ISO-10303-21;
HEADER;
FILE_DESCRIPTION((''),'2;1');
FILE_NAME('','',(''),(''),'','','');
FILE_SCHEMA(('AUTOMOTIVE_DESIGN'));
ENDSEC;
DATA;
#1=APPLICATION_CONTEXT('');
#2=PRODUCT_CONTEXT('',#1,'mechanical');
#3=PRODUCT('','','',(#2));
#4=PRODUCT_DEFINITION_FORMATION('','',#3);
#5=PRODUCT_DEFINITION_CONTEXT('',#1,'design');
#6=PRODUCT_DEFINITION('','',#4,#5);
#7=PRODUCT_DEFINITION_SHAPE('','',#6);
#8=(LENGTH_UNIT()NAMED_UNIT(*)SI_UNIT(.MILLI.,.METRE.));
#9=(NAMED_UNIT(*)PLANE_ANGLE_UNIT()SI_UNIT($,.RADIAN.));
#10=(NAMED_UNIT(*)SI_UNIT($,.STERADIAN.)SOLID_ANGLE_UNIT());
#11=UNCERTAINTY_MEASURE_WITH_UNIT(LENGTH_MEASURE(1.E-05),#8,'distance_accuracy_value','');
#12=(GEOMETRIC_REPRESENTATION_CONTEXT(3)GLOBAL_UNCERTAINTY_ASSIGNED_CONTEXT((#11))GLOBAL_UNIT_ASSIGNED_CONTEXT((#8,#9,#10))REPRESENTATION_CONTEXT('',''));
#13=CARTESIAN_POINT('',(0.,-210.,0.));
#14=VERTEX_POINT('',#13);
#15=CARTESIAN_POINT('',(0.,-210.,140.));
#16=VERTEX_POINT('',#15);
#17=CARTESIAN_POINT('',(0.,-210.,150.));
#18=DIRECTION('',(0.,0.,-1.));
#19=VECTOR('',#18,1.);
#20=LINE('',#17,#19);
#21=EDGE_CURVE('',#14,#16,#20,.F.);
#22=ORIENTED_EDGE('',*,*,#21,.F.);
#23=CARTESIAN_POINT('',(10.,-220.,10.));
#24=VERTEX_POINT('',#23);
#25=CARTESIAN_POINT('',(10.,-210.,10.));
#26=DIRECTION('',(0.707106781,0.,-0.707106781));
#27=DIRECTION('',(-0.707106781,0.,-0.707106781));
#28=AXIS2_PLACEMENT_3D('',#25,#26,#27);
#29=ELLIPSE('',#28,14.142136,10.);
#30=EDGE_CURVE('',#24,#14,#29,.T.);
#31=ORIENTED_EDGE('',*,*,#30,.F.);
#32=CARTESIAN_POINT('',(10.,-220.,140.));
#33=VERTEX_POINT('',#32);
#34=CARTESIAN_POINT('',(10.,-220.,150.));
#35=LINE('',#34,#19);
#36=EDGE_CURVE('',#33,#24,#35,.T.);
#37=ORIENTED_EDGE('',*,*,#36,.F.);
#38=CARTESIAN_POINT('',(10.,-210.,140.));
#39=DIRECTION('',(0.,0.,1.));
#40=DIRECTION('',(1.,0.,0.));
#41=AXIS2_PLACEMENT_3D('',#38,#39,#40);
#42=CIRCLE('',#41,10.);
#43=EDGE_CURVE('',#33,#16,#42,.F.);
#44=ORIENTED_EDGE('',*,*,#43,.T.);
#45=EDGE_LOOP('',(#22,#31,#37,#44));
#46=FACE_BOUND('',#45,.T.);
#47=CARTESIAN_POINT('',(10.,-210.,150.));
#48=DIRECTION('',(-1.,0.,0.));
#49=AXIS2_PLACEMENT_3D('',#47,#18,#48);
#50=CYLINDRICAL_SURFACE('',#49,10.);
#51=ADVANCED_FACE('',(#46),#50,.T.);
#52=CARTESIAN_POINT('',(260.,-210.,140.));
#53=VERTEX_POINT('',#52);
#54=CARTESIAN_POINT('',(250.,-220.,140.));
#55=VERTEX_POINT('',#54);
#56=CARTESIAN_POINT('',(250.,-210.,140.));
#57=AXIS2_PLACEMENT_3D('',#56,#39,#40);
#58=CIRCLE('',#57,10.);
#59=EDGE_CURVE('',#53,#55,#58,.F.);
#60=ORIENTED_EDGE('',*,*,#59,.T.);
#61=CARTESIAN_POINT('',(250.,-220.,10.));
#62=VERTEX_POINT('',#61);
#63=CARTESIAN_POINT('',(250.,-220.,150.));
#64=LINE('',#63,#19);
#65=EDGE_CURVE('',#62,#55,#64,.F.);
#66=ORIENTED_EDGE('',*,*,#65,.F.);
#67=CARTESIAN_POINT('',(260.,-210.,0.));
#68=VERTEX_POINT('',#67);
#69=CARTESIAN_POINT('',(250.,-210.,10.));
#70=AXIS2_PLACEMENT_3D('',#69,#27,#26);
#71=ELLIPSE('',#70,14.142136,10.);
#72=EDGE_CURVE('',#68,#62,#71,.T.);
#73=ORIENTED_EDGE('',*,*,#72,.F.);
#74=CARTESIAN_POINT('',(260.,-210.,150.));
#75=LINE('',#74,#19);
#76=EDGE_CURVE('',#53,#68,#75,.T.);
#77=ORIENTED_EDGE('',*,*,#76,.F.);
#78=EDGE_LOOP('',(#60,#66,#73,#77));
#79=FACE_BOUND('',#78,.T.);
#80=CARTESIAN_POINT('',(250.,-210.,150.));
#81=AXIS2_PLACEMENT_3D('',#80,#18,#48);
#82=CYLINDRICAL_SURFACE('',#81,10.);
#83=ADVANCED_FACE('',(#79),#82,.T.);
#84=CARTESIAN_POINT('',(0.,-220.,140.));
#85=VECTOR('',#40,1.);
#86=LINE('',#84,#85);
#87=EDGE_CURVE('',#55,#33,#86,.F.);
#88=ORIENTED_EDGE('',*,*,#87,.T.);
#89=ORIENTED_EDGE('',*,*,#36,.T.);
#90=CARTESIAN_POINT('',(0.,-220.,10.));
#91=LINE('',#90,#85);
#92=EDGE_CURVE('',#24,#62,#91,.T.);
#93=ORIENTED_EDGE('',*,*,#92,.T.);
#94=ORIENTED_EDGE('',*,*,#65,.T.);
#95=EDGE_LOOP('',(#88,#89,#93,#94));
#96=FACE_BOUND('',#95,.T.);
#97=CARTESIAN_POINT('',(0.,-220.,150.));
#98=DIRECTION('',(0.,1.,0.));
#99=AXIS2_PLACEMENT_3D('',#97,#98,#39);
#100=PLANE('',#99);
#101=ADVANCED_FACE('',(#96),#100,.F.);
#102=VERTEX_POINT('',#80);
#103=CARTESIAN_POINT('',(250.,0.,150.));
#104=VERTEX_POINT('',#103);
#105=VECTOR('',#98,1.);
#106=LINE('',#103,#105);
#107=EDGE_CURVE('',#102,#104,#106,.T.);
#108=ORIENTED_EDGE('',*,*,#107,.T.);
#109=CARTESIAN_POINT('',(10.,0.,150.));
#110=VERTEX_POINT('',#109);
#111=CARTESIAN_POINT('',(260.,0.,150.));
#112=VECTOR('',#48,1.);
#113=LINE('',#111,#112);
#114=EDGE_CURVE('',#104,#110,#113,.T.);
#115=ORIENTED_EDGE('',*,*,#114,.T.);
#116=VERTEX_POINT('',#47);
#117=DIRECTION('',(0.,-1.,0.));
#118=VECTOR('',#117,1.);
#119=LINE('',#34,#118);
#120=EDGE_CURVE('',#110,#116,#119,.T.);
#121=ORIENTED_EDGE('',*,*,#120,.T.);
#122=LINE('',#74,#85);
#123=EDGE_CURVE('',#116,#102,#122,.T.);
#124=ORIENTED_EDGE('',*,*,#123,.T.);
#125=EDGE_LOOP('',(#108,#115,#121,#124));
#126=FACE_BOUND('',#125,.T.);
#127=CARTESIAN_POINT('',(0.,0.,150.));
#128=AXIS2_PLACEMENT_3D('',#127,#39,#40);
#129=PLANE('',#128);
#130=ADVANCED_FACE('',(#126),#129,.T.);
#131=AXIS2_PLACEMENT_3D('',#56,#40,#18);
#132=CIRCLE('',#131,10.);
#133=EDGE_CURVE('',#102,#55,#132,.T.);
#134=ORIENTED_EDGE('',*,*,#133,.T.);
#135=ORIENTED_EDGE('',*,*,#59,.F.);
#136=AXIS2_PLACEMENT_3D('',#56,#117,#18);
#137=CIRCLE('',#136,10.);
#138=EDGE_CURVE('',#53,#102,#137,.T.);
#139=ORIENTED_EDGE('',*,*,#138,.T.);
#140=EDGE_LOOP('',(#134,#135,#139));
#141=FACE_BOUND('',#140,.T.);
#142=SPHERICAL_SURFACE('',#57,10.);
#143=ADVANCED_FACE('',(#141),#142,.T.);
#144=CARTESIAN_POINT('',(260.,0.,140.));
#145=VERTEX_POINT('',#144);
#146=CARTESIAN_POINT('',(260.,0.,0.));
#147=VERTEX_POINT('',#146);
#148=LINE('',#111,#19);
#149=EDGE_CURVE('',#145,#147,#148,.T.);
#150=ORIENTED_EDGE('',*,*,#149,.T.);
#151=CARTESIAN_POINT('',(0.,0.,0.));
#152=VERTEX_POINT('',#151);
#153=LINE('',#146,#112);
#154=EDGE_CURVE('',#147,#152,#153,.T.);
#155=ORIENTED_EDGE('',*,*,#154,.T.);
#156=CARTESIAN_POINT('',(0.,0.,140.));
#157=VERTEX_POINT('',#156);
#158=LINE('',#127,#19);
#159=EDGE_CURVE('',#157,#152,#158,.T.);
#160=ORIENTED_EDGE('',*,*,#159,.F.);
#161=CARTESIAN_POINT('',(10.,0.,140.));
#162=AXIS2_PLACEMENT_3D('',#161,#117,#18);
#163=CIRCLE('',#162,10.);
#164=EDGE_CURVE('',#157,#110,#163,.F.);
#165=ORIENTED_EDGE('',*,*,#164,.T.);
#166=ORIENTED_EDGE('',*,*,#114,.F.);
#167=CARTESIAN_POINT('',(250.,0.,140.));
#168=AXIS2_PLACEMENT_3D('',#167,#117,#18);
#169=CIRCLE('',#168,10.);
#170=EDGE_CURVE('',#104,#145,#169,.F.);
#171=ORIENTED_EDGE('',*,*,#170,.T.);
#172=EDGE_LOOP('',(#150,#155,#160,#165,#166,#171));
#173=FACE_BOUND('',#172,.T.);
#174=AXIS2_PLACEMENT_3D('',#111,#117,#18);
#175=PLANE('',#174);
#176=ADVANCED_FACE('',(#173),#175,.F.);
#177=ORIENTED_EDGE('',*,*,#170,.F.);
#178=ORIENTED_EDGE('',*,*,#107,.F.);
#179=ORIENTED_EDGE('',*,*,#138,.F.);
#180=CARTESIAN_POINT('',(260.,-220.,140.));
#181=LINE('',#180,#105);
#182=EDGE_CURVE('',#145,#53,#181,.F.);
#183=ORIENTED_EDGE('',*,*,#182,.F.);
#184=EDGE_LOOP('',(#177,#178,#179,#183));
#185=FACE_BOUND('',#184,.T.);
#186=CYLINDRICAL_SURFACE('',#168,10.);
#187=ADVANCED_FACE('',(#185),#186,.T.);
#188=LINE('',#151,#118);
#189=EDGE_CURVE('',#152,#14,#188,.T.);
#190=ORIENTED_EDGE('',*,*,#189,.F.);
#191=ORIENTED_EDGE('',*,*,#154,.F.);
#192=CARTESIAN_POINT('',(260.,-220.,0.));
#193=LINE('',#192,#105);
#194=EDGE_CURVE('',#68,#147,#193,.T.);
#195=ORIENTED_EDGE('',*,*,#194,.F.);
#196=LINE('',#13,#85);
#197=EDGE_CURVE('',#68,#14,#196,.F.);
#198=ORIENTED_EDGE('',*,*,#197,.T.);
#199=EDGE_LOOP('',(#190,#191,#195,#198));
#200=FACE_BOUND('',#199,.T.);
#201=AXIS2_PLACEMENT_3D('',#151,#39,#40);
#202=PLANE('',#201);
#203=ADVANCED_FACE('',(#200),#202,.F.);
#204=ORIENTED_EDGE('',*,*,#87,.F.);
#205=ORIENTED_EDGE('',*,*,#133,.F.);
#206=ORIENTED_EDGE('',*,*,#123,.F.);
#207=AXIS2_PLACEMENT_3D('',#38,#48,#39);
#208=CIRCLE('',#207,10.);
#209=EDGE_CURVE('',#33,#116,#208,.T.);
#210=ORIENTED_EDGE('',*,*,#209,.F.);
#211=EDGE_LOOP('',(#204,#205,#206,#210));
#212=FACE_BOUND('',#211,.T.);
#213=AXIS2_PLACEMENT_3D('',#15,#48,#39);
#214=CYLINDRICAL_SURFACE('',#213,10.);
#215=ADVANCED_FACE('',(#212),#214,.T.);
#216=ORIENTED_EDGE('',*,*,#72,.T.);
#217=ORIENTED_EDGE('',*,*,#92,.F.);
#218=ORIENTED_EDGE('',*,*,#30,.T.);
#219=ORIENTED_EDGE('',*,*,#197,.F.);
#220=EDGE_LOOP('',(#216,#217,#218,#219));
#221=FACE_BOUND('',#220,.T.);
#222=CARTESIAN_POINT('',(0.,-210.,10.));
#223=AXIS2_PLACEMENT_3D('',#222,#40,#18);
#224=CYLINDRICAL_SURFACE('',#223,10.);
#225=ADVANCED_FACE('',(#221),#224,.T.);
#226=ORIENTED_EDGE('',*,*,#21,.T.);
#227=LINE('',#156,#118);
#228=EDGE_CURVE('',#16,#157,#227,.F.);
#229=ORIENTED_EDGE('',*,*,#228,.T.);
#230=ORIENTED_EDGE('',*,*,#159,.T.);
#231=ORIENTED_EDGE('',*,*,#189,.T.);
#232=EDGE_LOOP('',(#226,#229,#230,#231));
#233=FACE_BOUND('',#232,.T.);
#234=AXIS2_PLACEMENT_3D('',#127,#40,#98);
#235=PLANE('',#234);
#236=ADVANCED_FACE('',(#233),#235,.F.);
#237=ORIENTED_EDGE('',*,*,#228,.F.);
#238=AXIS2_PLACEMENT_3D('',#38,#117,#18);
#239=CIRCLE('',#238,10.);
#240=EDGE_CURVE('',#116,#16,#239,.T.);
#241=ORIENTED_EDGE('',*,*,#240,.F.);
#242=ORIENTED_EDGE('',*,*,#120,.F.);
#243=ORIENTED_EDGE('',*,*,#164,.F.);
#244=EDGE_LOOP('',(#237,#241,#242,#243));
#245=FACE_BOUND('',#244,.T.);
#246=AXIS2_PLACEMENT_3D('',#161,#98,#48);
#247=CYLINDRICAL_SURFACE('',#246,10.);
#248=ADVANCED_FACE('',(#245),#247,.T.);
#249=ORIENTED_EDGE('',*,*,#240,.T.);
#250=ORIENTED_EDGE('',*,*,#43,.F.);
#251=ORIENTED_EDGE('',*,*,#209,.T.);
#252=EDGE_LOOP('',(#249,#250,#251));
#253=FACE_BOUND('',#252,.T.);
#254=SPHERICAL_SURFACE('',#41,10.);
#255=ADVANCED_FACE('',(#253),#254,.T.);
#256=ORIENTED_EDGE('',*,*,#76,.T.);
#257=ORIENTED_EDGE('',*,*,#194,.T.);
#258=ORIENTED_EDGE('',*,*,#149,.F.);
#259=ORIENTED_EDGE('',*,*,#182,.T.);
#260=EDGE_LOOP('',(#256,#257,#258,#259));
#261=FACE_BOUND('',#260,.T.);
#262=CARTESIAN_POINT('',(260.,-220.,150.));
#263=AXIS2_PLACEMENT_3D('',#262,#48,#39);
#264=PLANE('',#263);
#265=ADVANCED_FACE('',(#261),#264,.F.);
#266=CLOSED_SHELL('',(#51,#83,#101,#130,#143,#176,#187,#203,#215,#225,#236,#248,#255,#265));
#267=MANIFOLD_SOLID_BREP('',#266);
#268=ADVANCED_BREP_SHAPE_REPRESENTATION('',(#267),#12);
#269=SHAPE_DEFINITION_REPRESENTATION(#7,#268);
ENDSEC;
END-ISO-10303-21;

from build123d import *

# Parameters (mm, degrees)
SKETCH2_W           = 260
SKETCH2_H           = 220
BOSS_EXTRUDE1_DEPTH = 150
FILLET1_R           = 10


with BuildPart() as part:
    # Sketch2 → Boss-Extrude1 (new body)
    with BuildSketch(Plane.XY):
        with Locations((130, -110)):
            Rectangle(SKETCH2_W, SKETCH2_H)
    extrude(amount=BOSS_EXTRUDE1_DEPTH)

    # Fillet1
    fillet1_edges = [part.edges().sort_by_distance(p)[0] for p in [
        (130, -220, 150),
        (260, -110, 150),
        (130, -220, 0),
        (260, -220, 75),
        (0, -220, 75),
        (0, -110, 150),
    ]]
    fillet(fillet1_edges, radius=FILLET1_R)


solid = part.part
